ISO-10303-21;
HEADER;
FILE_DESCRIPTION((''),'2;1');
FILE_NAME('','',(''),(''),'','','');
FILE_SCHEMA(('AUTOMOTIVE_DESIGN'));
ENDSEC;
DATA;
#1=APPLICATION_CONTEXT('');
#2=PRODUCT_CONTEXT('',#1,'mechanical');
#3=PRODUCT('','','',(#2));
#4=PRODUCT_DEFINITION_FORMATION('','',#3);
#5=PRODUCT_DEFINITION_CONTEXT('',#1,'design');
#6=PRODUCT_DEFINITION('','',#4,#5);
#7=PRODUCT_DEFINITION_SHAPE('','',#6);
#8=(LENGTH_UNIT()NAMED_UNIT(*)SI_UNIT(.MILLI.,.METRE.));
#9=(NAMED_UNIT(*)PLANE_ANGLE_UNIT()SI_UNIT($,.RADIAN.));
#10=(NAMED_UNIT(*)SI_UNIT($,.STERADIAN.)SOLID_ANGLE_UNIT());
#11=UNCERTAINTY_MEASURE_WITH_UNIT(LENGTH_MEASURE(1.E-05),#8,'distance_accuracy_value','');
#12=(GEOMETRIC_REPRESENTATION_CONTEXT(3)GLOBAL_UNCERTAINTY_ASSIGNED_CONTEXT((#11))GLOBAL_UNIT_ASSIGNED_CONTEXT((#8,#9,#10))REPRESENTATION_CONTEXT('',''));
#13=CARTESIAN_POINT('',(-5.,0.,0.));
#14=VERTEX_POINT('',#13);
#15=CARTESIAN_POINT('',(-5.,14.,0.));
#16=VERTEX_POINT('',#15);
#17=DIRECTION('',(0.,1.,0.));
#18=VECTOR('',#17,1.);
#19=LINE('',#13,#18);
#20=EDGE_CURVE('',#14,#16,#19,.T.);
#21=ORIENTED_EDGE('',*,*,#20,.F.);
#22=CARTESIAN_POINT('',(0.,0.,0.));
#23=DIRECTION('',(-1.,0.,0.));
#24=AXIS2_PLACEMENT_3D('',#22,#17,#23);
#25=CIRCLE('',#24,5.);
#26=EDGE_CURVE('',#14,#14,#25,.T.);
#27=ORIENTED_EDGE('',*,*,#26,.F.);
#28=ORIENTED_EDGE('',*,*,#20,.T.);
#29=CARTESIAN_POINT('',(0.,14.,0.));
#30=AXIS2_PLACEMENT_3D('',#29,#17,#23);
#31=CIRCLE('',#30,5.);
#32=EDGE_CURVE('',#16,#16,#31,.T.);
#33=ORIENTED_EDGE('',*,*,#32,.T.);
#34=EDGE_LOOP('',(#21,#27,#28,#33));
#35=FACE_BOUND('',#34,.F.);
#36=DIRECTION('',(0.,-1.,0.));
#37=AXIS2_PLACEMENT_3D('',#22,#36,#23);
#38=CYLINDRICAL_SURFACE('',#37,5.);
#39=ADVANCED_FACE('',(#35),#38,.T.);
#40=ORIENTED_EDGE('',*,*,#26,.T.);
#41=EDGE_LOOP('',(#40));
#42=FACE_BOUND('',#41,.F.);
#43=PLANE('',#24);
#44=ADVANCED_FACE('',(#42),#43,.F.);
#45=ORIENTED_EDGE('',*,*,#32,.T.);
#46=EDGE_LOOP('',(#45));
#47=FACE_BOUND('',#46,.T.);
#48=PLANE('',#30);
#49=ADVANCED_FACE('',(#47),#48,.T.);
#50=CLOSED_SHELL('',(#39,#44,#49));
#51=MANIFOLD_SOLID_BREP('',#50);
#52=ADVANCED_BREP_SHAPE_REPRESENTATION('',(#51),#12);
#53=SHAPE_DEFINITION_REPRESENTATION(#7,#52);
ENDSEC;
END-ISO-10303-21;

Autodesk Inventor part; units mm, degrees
ref_plane "YZ Plane" through (0, 0, 0) normal (1, 0, 0) x (0, 1, 0)
ref_plane "XZ Plane" through (0, 0, 0) normal (0, 1, 0) x (-1, 0, 0)
ref_plane "XY Plane" through (0, 0, 0) normal (0, 0, 1) x (1, 0, 0)
sketch "Sketch1" plane through (0, 0, 0) normal (0, 1, 0) x (-1, 0, 0)
  point P0 (0, 0)
sketch "Sketch2" plane through (0, 0, 0) normal (0, 1, 0) x (-1, 0, 0)
  circle A0 centre (0, 0) radius 5
  dimension "d0" = 10
extrude "Extrusion1" add sketch "Sketch2" along normal blind 14
properties part number "digit3"
